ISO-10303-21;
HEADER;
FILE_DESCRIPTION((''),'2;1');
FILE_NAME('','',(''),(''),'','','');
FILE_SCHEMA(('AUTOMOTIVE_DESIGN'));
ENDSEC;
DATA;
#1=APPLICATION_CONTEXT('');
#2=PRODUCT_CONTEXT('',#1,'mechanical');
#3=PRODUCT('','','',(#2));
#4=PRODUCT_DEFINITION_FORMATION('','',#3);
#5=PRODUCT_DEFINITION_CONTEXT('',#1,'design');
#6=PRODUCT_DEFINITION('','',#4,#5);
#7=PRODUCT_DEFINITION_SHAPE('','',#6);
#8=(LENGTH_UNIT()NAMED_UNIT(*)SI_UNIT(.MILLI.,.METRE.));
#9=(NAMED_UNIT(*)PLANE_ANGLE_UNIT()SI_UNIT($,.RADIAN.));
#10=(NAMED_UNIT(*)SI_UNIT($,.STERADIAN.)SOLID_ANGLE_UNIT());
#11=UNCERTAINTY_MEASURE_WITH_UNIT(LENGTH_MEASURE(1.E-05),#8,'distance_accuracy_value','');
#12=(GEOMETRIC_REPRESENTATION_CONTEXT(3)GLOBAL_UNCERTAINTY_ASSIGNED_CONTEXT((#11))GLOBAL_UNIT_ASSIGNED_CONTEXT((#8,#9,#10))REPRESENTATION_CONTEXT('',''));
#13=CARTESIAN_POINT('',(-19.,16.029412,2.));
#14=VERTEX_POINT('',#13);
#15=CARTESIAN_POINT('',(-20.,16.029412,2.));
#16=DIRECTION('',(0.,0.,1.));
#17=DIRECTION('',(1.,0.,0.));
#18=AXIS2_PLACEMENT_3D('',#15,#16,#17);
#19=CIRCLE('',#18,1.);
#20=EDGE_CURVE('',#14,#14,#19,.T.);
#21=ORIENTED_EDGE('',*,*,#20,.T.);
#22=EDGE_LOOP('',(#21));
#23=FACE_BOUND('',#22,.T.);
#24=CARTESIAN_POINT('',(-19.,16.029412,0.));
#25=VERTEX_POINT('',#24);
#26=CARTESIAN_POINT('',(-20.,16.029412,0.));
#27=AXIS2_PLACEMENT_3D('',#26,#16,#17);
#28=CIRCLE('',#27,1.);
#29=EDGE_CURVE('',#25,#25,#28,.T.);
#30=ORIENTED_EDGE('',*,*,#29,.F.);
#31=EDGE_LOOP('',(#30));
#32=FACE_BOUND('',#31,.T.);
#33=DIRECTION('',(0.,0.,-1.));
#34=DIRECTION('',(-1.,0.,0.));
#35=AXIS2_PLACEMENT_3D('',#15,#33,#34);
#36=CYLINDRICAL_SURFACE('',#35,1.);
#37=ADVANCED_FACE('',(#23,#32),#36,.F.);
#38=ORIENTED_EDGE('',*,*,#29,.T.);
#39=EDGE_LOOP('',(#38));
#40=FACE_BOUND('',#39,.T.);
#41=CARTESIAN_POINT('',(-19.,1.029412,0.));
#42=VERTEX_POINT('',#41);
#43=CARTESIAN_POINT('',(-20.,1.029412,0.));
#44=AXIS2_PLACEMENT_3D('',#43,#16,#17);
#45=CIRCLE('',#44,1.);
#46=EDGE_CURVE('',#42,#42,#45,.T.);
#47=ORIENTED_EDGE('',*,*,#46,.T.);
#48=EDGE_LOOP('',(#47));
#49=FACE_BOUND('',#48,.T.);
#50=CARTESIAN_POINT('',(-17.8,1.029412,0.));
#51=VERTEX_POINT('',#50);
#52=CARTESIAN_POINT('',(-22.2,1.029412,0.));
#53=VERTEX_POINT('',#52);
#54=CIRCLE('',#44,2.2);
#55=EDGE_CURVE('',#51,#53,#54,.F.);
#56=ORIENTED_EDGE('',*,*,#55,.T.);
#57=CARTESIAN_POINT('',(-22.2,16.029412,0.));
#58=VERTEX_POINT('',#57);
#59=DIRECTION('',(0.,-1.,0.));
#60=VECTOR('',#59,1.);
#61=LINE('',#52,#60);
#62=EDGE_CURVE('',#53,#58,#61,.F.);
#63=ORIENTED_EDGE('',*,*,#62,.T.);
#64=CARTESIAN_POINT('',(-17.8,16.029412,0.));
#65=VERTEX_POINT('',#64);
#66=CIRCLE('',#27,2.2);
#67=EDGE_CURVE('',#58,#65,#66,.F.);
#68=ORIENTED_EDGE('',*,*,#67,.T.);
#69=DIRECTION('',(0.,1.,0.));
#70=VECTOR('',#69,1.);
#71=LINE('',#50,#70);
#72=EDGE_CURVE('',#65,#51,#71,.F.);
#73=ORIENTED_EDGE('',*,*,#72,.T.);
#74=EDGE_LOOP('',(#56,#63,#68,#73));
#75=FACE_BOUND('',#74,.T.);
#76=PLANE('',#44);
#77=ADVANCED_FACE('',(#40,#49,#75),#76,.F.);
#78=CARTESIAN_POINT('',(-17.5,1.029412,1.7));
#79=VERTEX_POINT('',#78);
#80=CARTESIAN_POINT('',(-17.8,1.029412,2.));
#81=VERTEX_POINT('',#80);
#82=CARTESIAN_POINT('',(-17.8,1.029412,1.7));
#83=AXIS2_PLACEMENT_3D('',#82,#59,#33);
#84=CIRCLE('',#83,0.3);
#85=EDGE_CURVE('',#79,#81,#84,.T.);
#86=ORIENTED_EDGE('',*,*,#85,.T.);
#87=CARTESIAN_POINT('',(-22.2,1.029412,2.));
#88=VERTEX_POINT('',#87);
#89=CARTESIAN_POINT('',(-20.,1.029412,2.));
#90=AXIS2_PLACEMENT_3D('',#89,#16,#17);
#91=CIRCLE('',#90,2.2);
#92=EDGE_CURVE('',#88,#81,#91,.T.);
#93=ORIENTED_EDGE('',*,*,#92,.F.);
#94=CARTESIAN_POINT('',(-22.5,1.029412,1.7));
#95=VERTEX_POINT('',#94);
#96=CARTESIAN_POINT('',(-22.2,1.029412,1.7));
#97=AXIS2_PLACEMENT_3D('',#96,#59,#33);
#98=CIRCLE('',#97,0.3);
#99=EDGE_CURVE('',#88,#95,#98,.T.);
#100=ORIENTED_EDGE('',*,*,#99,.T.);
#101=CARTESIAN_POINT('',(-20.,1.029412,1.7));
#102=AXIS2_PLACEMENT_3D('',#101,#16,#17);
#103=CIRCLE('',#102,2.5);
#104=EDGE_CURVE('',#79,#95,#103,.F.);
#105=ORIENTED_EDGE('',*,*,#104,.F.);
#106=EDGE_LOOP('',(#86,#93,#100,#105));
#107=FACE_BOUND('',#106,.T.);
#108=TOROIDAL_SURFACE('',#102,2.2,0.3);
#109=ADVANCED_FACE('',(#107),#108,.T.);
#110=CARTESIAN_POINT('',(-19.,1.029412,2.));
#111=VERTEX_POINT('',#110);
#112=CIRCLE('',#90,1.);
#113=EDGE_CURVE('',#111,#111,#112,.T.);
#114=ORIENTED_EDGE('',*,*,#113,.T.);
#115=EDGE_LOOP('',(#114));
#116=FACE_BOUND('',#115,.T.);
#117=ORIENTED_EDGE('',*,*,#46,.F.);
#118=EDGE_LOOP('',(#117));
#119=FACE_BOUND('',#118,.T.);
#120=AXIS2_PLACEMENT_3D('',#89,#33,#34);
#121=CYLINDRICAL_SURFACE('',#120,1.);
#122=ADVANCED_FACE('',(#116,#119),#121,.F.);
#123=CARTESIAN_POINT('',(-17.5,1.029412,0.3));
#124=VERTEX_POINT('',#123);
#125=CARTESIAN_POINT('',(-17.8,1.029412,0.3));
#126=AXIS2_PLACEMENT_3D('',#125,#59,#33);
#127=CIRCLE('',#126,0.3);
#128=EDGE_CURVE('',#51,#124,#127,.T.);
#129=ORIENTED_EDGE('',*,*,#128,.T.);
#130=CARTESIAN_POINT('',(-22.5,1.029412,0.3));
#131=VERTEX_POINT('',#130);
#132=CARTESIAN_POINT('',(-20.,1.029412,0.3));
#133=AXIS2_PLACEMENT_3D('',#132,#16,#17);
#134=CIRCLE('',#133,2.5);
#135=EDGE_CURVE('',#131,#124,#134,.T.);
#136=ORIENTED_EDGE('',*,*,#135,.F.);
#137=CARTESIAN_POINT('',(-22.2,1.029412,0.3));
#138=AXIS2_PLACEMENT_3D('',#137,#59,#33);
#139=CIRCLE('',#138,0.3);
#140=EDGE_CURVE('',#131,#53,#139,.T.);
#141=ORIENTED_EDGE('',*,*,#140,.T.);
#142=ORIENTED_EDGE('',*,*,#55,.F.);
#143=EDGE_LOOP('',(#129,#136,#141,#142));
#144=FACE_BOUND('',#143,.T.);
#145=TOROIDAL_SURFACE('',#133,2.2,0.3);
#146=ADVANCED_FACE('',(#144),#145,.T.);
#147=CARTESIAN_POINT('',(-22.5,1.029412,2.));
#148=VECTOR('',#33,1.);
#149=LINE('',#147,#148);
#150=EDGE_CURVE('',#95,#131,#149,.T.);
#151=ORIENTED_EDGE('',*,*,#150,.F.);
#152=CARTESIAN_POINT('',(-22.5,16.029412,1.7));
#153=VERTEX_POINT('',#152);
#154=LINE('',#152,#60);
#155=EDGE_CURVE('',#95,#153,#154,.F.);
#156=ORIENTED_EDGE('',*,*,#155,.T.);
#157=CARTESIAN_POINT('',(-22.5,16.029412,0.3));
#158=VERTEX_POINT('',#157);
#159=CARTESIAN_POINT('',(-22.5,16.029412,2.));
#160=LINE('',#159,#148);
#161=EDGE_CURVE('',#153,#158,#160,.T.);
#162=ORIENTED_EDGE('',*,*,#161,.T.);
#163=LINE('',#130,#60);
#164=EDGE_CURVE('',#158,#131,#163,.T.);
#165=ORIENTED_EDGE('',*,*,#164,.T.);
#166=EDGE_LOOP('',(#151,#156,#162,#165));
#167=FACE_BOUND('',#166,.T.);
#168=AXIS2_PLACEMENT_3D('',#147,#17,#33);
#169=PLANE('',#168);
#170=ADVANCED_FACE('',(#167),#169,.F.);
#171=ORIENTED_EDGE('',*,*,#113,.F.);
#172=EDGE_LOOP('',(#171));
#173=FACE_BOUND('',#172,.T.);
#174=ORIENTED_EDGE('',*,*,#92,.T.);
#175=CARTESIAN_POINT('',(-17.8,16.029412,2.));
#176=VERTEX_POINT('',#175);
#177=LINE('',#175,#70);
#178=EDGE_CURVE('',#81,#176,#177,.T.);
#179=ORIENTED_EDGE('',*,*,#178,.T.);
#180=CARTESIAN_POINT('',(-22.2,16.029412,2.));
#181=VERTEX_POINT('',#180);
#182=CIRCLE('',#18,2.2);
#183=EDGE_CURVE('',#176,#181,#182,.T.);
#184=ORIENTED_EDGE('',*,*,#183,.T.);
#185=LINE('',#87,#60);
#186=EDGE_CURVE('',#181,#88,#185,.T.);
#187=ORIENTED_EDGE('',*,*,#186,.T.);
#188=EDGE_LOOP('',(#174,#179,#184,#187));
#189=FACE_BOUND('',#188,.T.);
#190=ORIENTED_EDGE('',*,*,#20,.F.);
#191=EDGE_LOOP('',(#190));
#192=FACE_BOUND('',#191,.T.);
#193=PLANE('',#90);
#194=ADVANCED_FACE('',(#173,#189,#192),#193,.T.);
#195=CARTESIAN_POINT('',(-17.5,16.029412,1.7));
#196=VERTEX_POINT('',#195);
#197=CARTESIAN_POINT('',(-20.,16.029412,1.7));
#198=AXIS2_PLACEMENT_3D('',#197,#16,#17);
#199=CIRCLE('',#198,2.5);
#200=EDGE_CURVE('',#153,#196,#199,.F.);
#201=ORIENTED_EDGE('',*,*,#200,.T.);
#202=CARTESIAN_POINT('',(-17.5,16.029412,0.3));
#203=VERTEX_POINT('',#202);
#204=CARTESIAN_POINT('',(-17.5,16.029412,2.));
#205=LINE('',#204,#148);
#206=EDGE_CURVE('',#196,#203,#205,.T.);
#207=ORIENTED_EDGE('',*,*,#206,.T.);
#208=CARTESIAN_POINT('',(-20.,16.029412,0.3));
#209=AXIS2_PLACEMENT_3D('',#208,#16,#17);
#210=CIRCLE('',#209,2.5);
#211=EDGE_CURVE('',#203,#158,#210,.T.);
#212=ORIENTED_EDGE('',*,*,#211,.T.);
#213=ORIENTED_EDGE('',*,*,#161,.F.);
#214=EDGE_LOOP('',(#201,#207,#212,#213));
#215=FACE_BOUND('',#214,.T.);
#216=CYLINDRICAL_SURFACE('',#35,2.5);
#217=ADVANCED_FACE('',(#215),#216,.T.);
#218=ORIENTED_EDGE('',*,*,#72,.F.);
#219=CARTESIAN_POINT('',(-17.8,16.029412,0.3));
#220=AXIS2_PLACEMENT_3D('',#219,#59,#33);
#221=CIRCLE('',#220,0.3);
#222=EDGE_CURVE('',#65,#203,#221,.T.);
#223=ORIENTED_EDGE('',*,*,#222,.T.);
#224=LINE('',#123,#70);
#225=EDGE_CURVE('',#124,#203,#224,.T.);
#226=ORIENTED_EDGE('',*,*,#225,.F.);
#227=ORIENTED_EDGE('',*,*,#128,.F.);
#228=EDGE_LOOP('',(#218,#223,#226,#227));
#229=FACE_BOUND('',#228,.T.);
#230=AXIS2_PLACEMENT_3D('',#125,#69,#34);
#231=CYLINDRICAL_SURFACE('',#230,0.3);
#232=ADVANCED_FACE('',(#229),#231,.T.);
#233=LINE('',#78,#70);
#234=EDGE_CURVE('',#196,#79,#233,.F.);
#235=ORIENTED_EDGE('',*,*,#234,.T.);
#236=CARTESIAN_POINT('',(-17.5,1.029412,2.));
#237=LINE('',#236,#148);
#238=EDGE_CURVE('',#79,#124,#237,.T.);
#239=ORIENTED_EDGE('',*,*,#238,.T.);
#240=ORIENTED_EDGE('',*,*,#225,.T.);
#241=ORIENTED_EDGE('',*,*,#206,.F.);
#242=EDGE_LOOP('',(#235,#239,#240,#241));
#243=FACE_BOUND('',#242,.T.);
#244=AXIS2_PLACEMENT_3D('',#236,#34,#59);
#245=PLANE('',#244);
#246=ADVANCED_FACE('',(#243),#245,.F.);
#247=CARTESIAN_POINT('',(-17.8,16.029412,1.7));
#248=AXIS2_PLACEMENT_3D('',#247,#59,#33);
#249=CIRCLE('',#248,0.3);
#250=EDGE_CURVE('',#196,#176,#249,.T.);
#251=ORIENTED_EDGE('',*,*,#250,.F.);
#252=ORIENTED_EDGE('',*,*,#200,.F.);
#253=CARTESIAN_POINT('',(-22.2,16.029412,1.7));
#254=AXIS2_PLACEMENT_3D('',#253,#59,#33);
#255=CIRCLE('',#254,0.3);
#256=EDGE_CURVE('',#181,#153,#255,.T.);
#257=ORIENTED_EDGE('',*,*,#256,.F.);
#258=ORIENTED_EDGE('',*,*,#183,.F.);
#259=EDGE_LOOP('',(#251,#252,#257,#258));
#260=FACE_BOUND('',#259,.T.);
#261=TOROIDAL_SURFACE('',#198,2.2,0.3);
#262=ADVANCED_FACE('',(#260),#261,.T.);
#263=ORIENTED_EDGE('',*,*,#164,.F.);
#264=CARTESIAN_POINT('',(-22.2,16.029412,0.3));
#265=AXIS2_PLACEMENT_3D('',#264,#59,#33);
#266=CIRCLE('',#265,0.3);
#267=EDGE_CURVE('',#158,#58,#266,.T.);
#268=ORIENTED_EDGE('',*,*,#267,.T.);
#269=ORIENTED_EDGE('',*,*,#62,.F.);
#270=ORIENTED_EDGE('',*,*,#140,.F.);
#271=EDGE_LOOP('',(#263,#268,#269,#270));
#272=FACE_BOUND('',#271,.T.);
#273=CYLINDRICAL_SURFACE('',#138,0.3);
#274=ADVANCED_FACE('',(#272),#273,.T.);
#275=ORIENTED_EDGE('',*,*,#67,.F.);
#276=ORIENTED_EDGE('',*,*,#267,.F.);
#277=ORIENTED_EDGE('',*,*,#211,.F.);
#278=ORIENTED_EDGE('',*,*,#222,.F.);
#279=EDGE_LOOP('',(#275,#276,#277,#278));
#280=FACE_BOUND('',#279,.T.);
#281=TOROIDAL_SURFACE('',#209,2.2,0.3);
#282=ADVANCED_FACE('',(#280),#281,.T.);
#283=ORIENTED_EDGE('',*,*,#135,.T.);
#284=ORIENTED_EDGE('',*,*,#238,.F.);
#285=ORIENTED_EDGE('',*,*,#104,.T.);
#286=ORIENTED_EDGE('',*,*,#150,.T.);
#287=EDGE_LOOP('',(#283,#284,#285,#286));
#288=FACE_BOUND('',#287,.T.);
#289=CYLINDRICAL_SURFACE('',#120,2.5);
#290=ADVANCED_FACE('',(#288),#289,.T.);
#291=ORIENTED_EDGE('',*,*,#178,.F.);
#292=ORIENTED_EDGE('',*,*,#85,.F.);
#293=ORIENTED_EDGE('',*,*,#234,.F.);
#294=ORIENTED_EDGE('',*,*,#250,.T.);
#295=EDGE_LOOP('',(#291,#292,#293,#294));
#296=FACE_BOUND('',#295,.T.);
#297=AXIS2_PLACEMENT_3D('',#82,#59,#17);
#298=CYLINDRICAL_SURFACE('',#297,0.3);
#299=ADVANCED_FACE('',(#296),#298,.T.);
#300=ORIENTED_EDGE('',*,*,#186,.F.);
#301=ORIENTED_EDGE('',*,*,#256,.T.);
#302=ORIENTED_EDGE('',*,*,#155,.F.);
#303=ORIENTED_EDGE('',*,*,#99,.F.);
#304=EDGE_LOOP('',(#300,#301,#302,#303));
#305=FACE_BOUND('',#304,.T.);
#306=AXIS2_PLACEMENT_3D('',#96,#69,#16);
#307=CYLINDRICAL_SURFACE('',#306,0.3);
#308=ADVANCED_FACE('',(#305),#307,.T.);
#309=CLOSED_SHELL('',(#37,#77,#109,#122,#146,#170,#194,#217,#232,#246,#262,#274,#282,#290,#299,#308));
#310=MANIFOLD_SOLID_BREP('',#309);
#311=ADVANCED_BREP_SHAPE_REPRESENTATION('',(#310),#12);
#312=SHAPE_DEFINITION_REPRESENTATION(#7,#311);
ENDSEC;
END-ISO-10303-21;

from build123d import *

# Parameters (mm, degrees)
SKETCH_1_R      = 1
EXTRUDE_2_DEPTH = 2
FILLET_1_R      = 0.3


with BuildPart() as part:
    # 草图1 → 凸台-拉伸2 (new body)
    with BuildSketch(Plane.XY):
        with BuildLine():
            Line((-22.5, 1.029411765), (-22.5, 16.029411765))
            ThreePointArc((-22.5, 16.029411765), (-20, 18.529411765), (-17.5, 16.029411765))
            Line((-17.5, 16.029411765), (-17.5, 1.029411765))
            ThreePointArc((-17.5, 1.029411765), (-20, -1.470588235), (-22.5, 1.029411765))
        make_face()
        with Locations((-20, 16.029411765)):
            Circle(SKETCH_1_R, mode=Mode.SUBTRACT)
        with Locations((-20, 1.029411765)):
            Circle(SKETCH_1_R, mode=Mode.SUBTRACT)
    extrude(amount=EXTRUDE_2_DEPTH)

    # 圆角1
    fillet_1_edges = [part.edges().sort_by_distance(p)[0] for p in [
        (-20, 18.529411765, 2),
        (-22.5, 8.529411765, 2),
        (-20, -1.470588235, 2),
        (-22.5, 8.529411765, 0),
        (-20, 18.529411765, 0),
        (-17.5, 8.529411765, 0),
        (-20, -1.470588235, 0),
        (-17.5, 8.529411765, 2),
    ]]
    fillet(fillet_1_edges, radius=FILLET_1_R)


solid = part.part
